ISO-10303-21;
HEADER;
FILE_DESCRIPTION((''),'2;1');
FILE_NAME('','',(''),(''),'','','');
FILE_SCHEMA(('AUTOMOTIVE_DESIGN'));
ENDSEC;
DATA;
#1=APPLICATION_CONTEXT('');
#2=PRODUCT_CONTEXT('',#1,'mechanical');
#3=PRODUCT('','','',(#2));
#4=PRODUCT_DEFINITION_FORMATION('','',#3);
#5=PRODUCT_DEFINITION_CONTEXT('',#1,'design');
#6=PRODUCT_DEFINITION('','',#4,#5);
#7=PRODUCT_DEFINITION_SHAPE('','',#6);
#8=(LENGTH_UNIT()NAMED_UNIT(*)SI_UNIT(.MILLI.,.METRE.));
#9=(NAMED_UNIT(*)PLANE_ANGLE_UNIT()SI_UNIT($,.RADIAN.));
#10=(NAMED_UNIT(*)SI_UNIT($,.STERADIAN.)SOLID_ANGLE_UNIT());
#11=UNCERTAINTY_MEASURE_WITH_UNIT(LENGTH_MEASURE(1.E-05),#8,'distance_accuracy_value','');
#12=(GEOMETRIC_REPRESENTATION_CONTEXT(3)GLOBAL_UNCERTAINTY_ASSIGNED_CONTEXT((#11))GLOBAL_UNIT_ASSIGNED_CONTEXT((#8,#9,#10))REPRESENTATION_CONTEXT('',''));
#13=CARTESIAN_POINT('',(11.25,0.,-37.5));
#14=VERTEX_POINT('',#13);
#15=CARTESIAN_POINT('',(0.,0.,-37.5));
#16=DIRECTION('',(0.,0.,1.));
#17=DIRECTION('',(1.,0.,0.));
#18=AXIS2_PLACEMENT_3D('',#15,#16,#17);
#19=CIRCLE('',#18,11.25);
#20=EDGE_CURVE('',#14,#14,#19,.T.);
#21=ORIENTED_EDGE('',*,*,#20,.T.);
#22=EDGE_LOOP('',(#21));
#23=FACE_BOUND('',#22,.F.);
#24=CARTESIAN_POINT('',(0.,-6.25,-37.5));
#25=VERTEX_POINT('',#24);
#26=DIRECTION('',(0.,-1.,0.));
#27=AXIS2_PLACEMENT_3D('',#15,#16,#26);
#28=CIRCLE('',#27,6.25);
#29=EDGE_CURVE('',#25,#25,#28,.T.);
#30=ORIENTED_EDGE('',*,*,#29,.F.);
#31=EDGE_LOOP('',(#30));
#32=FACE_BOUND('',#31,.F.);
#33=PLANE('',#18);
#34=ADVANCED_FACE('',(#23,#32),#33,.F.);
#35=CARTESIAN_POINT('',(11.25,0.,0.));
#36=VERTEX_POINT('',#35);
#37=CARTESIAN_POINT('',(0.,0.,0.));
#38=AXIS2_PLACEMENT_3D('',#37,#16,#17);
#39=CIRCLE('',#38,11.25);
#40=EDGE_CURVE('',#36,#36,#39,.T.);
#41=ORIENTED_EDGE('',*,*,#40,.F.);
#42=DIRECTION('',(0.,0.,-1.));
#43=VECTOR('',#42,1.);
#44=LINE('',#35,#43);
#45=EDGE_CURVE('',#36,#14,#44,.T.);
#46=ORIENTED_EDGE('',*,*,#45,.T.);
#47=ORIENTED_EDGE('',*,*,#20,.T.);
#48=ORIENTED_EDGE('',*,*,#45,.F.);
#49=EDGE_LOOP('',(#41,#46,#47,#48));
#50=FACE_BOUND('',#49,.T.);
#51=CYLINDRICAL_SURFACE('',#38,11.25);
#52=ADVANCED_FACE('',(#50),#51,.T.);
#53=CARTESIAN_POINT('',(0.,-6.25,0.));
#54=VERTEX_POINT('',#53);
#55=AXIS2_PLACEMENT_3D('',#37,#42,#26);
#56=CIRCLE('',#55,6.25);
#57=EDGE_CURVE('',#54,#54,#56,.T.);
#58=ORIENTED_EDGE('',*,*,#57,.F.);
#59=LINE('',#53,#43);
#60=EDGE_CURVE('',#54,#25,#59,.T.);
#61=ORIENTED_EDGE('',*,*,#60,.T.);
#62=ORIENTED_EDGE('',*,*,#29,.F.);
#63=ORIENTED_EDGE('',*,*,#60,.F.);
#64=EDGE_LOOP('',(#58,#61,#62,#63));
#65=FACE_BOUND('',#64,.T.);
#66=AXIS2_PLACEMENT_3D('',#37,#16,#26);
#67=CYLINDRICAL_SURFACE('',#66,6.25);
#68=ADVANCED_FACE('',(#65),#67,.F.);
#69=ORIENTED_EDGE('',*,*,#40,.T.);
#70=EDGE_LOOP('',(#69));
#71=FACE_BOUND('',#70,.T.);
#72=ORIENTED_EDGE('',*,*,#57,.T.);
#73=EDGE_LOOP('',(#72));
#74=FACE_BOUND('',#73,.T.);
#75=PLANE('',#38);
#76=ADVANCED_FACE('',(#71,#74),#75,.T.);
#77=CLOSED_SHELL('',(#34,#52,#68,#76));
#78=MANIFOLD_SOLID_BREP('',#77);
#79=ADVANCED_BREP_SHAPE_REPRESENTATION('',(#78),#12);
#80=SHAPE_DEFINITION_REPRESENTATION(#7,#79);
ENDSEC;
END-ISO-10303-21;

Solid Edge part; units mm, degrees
sketch "Sketch1" plane through (0, 0, 0) normal (0, 0, 1) x (1, 0, 0)
  circle A0 centre (0, 0) radius 11.25
extrude "Protrusion1" add sketch "Sketch1" against normal blind 37.5
hole "Hole_1" at (0, 0, 0) direction (0, 0, -1) diameter 12.5 end up to next
